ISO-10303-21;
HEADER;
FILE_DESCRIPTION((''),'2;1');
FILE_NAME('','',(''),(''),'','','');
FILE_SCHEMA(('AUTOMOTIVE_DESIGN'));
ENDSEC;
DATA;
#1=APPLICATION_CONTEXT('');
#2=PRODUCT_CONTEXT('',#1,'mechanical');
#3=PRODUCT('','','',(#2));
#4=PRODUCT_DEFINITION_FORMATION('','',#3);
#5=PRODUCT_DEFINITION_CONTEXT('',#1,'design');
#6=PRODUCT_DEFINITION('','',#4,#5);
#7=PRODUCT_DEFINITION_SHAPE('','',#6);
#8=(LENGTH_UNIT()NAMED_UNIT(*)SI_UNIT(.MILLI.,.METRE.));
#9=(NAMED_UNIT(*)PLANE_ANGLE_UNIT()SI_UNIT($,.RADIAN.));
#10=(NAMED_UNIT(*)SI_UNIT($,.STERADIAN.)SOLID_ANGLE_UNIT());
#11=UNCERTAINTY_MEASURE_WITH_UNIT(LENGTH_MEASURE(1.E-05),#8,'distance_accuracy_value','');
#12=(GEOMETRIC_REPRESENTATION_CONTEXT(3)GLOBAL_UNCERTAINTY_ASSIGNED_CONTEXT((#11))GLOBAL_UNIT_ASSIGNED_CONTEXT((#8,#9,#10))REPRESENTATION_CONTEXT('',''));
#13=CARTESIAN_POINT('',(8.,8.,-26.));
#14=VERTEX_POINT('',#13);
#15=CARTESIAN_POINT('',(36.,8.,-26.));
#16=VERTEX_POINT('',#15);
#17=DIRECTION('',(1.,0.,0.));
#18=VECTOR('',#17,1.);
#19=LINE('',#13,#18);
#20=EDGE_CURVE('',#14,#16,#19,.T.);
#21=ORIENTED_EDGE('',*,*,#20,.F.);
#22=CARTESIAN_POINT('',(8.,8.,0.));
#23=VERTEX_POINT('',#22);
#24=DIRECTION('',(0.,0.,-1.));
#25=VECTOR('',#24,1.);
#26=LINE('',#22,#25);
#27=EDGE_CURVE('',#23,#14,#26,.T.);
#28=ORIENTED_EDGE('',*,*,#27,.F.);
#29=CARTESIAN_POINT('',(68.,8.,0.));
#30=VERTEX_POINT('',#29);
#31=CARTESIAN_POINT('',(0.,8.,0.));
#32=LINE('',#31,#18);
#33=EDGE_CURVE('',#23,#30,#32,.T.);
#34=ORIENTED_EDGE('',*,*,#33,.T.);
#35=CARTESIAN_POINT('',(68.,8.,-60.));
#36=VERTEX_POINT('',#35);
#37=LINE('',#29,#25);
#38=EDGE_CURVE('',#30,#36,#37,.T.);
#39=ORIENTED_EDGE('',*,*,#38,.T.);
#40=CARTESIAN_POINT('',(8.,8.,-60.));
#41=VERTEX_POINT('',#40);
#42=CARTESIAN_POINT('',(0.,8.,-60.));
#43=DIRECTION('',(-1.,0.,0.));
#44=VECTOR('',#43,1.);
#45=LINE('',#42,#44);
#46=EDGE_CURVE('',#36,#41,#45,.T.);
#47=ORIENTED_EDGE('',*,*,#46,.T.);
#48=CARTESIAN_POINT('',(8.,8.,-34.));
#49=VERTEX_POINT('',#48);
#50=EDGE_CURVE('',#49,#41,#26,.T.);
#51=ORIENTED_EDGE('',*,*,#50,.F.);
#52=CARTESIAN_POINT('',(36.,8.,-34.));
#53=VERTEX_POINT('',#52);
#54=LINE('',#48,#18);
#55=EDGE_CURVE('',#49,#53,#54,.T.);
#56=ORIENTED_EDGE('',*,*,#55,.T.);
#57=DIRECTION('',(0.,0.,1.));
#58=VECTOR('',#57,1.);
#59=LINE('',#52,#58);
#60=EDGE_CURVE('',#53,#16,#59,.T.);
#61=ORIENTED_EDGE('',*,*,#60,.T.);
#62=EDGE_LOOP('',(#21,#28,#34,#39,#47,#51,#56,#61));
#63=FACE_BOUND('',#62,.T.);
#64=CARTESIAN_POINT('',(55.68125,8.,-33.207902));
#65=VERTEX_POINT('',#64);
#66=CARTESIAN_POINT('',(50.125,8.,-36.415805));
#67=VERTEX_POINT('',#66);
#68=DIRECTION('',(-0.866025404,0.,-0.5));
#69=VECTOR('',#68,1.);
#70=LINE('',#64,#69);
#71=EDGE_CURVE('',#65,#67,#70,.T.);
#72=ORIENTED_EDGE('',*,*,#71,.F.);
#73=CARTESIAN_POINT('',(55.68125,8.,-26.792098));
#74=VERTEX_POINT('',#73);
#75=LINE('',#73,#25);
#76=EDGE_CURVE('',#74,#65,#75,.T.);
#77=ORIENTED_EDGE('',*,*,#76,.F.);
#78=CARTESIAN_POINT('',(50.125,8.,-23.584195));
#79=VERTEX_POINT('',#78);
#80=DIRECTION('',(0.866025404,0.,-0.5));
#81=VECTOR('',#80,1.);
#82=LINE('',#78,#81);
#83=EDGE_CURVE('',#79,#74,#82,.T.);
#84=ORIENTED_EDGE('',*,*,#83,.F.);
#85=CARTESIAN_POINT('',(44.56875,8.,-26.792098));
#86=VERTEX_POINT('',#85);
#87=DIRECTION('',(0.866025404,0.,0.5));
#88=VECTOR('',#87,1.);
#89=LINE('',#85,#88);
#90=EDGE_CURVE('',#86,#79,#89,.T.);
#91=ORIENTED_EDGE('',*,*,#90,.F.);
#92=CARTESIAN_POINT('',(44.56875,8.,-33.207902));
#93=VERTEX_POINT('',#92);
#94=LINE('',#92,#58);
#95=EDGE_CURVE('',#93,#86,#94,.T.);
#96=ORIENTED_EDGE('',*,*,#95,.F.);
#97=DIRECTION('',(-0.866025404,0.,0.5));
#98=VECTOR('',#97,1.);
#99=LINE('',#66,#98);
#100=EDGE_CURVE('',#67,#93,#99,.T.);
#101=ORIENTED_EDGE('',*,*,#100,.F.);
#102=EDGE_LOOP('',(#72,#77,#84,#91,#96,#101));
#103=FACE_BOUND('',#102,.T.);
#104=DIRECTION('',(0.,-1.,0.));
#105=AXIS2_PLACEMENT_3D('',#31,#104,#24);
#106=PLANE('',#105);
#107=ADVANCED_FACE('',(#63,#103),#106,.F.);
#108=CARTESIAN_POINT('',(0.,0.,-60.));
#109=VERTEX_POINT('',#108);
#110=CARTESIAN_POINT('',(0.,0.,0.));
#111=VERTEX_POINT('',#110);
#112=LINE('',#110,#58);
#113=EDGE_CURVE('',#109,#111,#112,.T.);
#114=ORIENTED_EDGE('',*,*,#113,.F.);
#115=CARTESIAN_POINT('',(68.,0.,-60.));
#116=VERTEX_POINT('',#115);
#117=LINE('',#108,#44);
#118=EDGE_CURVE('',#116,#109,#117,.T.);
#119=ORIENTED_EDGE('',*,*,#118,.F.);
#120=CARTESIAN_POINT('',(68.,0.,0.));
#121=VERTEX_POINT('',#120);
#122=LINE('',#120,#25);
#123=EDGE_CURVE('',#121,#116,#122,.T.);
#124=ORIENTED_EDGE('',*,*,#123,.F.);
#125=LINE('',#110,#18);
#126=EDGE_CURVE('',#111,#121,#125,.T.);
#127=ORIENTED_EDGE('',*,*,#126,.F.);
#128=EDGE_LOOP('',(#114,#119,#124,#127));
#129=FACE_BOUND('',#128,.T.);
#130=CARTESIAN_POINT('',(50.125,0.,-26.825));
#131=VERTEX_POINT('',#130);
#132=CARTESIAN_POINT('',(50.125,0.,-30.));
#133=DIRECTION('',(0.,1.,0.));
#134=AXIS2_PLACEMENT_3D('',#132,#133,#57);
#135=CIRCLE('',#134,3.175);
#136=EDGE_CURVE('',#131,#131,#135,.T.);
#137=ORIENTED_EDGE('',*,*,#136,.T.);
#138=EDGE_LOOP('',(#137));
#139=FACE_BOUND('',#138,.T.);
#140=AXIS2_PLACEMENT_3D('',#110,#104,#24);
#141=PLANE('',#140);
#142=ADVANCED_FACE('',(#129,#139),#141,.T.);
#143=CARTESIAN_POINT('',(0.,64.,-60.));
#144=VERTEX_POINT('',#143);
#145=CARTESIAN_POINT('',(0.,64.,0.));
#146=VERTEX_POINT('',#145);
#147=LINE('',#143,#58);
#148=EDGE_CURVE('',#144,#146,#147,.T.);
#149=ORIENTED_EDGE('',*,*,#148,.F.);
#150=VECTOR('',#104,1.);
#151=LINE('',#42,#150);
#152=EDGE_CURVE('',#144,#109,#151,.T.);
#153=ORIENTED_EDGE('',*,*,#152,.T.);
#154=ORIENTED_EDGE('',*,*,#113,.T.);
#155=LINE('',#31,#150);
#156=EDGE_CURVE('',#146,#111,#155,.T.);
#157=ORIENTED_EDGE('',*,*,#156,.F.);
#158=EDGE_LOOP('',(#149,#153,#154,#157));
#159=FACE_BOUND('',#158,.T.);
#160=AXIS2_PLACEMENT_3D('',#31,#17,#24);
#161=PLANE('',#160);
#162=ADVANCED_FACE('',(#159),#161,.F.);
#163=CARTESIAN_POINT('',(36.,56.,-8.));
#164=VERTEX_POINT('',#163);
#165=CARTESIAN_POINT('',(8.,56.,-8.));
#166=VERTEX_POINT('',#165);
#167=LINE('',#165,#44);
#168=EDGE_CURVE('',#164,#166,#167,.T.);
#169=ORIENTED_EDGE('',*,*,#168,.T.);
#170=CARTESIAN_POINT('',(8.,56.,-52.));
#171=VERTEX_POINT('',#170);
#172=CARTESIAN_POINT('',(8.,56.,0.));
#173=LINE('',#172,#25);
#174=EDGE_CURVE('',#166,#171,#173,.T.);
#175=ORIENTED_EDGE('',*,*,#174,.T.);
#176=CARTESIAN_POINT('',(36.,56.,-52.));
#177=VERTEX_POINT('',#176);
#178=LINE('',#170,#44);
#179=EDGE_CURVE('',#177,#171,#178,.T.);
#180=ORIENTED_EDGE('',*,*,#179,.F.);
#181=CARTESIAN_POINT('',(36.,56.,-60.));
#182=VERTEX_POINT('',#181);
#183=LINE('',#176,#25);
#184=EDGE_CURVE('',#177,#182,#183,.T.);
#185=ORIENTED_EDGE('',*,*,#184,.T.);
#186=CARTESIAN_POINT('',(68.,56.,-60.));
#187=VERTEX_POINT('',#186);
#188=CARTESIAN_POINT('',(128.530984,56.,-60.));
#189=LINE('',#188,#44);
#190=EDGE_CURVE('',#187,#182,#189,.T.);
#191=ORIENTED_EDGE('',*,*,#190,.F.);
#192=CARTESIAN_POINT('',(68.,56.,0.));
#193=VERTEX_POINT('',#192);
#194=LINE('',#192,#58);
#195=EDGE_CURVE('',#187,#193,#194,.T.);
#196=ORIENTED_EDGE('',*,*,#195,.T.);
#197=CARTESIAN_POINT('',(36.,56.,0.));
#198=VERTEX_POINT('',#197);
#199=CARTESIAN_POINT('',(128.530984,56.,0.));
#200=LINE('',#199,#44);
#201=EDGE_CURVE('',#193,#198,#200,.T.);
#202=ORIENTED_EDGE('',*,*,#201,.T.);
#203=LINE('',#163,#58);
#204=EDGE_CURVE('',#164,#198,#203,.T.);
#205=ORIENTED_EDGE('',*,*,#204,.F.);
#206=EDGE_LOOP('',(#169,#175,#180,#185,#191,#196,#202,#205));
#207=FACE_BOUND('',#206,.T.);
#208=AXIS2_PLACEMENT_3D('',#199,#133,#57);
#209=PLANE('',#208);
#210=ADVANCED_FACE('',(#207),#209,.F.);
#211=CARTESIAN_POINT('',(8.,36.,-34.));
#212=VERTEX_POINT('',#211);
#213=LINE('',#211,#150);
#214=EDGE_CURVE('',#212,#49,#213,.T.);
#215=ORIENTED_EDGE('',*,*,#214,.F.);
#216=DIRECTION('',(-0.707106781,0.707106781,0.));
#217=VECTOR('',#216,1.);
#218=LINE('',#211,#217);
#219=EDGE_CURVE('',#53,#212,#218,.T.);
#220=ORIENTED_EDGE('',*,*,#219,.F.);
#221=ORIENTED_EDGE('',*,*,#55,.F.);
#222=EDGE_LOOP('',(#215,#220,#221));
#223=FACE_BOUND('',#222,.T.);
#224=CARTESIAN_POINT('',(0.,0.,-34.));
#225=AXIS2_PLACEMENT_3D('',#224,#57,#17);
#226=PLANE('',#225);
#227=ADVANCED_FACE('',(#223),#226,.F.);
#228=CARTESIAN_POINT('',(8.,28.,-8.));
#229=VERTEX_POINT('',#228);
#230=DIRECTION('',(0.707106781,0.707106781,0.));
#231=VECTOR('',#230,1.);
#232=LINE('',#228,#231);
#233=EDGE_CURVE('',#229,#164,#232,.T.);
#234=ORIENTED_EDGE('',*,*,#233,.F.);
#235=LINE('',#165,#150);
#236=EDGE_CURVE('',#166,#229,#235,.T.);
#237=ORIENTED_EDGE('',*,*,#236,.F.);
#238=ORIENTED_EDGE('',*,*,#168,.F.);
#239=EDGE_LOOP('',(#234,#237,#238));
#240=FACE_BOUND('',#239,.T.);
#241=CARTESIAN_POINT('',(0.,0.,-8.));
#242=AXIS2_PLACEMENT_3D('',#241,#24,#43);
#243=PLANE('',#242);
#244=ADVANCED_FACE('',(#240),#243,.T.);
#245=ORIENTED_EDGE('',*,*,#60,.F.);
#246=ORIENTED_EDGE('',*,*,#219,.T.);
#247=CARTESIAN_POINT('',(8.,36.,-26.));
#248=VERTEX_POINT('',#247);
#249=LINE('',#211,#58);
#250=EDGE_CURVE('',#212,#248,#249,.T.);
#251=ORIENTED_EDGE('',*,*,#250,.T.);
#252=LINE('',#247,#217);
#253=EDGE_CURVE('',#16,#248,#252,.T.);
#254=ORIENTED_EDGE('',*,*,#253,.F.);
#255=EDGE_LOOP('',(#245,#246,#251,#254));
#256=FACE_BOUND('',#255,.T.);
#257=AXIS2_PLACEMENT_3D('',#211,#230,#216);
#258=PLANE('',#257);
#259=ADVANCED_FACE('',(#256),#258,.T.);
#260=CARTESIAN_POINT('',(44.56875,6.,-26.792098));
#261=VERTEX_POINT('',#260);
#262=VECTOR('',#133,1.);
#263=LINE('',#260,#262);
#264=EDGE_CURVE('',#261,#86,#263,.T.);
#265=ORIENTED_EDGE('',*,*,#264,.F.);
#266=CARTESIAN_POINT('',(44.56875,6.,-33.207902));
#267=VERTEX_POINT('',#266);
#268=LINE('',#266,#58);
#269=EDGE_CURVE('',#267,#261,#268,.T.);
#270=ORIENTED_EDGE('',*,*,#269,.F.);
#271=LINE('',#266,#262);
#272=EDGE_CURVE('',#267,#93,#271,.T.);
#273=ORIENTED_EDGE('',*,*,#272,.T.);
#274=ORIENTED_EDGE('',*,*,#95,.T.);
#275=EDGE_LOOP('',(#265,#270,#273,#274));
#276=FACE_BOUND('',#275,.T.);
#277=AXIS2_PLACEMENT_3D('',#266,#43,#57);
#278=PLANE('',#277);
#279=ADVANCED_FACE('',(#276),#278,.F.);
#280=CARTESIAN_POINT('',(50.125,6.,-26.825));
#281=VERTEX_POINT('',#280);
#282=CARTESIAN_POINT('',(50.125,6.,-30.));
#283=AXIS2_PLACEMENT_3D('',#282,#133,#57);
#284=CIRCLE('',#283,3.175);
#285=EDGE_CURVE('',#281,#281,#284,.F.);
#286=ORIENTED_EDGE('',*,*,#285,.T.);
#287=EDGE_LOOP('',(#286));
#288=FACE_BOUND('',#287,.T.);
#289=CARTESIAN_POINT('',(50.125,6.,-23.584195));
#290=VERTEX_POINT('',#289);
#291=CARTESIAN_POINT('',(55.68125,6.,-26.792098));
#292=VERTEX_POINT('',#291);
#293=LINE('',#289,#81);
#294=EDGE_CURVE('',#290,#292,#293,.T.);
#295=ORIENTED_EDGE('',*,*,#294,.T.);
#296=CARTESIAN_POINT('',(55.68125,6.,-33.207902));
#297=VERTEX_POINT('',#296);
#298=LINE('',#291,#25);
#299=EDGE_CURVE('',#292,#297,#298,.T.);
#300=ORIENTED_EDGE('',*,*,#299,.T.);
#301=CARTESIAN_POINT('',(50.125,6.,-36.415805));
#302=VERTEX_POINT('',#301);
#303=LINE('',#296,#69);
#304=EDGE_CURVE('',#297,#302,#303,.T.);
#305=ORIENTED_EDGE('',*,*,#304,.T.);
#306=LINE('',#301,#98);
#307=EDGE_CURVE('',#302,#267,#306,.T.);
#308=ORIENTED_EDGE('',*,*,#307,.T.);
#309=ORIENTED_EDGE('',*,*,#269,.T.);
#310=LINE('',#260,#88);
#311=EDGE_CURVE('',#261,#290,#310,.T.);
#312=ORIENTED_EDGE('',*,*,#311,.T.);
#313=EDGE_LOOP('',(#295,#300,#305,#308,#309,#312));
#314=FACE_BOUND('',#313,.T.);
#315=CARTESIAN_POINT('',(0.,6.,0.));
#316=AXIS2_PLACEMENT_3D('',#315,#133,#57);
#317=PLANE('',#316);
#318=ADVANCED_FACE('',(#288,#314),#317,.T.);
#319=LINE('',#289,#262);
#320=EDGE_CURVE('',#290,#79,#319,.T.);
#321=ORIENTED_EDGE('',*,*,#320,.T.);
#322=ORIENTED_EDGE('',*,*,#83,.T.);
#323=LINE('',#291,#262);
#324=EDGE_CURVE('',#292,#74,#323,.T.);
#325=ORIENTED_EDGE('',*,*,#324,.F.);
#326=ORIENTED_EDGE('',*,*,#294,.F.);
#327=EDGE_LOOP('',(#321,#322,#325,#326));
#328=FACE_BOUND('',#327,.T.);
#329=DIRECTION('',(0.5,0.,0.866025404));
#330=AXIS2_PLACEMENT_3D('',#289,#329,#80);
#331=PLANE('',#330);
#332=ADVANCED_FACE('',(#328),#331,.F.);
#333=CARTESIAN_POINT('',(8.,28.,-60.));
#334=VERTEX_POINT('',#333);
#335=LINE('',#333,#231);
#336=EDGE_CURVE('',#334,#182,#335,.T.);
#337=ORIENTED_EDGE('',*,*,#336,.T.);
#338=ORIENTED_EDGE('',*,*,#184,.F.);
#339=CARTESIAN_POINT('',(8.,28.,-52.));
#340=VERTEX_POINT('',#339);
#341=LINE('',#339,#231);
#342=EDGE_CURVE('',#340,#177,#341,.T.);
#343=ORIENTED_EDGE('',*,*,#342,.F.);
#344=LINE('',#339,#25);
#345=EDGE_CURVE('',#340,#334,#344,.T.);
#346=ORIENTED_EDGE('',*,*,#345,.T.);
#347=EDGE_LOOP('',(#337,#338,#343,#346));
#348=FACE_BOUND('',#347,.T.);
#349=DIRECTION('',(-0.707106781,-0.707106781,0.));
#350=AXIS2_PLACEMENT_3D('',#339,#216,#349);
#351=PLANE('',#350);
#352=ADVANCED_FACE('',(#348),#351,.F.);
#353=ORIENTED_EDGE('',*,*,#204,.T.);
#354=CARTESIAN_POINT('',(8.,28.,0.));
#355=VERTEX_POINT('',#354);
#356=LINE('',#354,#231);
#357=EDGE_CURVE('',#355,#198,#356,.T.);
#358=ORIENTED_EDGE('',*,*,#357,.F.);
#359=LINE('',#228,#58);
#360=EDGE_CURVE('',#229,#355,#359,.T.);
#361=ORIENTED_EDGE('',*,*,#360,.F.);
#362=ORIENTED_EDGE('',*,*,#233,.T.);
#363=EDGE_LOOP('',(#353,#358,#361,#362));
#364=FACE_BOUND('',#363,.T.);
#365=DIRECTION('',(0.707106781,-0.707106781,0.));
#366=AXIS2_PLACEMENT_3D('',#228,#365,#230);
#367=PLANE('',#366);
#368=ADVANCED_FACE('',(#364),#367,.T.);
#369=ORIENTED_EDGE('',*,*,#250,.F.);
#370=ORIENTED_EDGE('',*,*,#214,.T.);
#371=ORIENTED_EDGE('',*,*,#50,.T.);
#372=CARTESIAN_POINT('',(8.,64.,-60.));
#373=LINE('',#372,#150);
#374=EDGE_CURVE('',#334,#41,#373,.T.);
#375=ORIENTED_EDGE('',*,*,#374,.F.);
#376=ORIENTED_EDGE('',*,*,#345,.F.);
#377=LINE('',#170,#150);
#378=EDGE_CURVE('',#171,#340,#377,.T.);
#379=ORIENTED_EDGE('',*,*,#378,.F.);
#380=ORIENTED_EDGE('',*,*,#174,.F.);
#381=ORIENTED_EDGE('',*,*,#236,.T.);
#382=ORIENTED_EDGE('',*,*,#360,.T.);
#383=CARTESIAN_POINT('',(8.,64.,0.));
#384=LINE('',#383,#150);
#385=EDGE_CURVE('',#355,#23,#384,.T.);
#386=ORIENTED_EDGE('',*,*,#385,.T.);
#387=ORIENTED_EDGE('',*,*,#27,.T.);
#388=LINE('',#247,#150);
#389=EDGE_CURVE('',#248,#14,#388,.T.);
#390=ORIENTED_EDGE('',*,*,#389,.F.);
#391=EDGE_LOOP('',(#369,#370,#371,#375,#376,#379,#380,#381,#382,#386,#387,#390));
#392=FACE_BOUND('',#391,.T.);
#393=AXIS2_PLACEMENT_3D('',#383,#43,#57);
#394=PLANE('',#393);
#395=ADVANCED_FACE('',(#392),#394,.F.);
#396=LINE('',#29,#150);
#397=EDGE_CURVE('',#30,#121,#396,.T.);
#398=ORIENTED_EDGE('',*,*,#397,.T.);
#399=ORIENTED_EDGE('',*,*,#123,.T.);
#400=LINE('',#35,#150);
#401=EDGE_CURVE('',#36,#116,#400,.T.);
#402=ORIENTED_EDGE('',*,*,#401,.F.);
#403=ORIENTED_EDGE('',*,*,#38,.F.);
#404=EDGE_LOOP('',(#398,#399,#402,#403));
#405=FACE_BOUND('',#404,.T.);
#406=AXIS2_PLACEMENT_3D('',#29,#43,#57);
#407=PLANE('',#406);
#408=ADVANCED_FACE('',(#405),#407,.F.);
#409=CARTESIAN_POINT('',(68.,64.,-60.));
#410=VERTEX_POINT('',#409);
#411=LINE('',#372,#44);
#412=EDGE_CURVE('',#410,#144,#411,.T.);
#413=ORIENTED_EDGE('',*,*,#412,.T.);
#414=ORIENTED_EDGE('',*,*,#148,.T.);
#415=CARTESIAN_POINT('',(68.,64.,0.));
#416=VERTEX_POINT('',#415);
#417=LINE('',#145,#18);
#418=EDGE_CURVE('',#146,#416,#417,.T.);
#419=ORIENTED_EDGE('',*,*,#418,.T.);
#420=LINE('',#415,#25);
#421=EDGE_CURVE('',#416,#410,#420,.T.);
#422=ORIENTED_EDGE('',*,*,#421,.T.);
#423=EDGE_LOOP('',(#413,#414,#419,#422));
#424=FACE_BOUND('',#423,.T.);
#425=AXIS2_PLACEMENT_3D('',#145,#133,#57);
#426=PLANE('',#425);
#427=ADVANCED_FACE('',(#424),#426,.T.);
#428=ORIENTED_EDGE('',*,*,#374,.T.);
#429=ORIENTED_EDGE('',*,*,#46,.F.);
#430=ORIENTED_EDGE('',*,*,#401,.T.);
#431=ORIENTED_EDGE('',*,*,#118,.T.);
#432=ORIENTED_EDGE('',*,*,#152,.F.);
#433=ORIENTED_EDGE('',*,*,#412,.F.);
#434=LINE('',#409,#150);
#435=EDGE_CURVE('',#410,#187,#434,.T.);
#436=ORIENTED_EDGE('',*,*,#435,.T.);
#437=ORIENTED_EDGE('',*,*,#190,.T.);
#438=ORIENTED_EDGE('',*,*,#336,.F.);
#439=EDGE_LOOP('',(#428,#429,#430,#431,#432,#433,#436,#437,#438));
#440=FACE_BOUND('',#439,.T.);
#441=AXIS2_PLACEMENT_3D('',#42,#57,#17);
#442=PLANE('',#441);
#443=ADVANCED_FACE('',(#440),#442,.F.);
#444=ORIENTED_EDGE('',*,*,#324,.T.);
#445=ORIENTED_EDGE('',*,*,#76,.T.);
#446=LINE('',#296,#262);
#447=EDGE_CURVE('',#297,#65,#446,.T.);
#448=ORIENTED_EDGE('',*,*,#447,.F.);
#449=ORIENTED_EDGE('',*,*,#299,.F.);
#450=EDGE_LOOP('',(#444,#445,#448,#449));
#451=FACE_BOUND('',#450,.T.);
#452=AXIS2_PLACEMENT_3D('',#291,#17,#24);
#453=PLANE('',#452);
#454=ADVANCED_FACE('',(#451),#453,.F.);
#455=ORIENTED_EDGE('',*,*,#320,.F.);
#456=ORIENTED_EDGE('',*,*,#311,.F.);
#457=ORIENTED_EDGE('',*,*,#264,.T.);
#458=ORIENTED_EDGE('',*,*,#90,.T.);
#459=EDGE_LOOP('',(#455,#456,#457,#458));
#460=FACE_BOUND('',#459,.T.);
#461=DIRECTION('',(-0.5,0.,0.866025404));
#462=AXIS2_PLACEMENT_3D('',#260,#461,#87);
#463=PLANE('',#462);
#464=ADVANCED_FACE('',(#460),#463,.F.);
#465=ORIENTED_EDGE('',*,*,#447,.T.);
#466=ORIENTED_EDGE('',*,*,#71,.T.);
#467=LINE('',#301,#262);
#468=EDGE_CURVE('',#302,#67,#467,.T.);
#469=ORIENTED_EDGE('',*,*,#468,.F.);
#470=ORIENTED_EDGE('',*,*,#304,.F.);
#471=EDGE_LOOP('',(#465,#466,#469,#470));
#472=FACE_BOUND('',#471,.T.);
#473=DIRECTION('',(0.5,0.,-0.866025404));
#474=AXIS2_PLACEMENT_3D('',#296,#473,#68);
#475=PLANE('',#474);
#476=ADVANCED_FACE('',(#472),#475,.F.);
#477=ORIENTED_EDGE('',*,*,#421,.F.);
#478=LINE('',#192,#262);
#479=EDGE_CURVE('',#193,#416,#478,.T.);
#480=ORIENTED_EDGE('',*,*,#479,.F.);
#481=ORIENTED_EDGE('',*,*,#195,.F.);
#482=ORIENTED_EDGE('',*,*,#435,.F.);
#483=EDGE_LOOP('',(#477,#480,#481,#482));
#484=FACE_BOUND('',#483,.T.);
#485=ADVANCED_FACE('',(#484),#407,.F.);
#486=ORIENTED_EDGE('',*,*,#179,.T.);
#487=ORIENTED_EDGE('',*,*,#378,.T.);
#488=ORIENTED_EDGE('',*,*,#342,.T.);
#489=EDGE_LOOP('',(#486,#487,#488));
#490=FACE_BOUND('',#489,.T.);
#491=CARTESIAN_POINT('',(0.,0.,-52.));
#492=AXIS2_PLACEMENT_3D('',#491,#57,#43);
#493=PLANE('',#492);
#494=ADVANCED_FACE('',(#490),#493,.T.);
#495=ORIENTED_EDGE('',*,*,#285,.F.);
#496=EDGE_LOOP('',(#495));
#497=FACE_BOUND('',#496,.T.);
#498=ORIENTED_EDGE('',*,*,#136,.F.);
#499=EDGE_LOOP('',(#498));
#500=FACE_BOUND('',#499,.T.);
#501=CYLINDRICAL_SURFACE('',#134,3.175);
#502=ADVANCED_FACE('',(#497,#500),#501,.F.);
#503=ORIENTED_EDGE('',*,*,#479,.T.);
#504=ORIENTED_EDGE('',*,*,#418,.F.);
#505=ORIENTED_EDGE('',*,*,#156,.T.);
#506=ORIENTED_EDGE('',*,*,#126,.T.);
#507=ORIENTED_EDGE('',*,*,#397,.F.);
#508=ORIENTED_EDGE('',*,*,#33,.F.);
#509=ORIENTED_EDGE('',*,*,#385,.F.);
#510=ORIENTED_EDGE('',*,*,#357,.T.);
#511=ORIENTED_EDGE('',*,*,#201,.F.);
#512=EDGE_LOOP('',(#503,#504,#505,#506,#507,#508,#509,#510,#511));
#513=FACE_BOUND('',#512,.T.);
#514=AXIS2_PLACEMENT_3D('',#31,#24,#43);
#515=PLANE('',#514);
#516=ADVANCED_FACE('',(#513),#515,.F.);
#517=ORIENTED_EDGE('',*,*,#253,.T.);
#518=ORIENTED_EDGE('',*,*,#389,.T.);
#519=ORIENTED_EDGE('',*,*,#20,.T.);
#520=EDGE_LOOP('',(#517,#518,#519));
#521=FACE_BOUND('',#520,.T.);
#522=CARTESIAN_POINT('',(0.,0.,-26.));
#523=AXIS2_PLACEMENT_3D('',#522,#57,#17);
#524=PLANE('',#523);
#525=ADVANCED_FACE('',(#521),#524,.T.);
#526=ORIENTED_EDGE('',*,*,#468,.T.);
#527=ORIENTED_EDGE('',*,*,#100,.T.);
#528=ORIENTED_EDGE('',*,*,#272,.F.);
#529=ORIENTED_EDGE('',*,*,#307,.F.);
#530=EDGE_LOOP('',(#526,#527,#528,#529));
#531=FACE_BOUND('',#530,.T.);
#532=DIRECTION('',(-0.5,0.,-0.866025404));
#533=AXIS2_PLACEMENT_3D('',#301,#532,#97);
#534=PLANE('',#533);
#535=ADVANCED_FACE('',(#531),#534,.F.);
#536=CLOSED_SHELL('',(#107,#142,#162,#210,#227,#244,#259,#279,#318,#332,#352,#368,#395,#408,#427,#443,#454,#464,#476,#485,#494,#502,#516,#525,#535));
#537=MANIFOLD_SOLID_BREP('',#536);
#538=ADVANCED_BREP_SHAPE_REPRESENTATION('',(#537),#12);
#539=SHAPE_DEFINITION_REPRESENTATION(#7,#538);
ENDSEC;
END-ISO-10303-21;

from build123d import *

# Parameters (mm, degrees)
SKETCH1_W                = 68
SKETCH1_H                = 60
BOSS_EXTRUDE1_DEPTH      = 8
SKETCH4_W                = 8
SKETCH4_H                = 60
BOSS_EXTRUDE2_DEPTH      = 56
SKETCH5_R                = 3.175
CUT_EXTRUDE1_DEPTH       = 8
SKETCH6_W                = 60
SKETCH6_H                = 8
BOSS_EXTRUDE3_DEPTH      = 60
BOSS_EXTRUDE4_DEPTH      = 8
BOSS_EXTRUDE5_DEPTH      = 4
BOSS_EXTRUDE5_DEPTH_BACK = 4
CUT_EXTRUDE2_DEPTH       = 2


with BuildPart() as part:
    # Sketch1 → Boss-Extrude1 (new body)
    with BuildSketch(Plane(origin=(0, 0, 0), x_dir=(1, 0, 0), z_dir=(0, 1, 0))):
        with Locations((34, 30)):
            Rectangle(SKETCH1_W, SKETCH1_H)
    extrude(amount=BOSS_EXTRUDE1_DEPTH)

    # Sketch4 → Boss-Extrude2 (add)
    with BuildSketch(Plane(origin=(0, 8, 0), x_dir=(1, 0, 0), z_dir=(0, 1, 0))):
        with Locations((4, 30)):
            Rectangle(SKETCH4_W, SKETCH4_H)
    extrude(amount=BOSS_EXTRUDE2_DEPTH)

    # Sketch5 → Cut-Extrude1 (cut)
    with BuildSketch(Plane(origin=(0, 8, 0), x_dir=(1, 0, 0), z_dir=(0, 1, 0))):
        with Locations(Location((50.125, 30, 0), (0, 0, 270))):
            Circle(SKETCH5_R)
    extrude(amount=-CUT_EXTRUDE1_DEPTH, mode=Mode.SUBTRACT)

    # Sketch6 → Boss-Extrude3 (add)
    with BuildSketch(Plane(origin=(8, 0, 0), x_dir=(0, 0, -1), z_dir=(1, 0, 0))):
        with Locations((30, 60)):
            Rectangle(SKETCH6_W, SKETCH6_H)
    extrude(amount=BOSS_EXTRUDE3_DEPTH)

    # Sketch7 → Boss-Extrude4 (add)
    with BuildSketch(Plane.XY):
        Polygon((8, 56), (8, 28), (36, 56), align=None)
    boss_extrude4 = extrude(amount=-BOSS_EXTRUDE4_DEPTH)

    # Mirror1: Boss-Extrude4 across plane
    add(boss_extrude4.mirror(Plane.XY.offset(-30)))

    # Sketch8 → Boss-Extrude5 (add, two sides: drawn at the far end of the back side and taken through both)
    with BuildSketch(Plane.XY.offset(-30).offset(-BOSS_EXTRUDE5_DEPTH_BACK)):
        Polygon((8, 36), (8, 8), (36, 8), align=None)
    extrude(amount=BOSS_EXTRUDE5_DEPTH + BOSS_EXTRUDE5_DEPTH_BACK)

    # Sketch9 → Cut-Extrude2 (cut)
    with BuildSketch(Plane(origin=(0, 8, 0), x_dir=(1, 0, 0), z_dir=(0, 1, 0))):
        Polygon((50.125, 36.415804866), (44.56875, 33.207902433), (44.56875, 26.792097567), (50.125, 23.584195134), (55.68125, 26.792097567), (55.68125, 33.207902433), align=None)
    extrude(amount=-CUT_EXTRUDE2_DEPTH, mode=Mode.SUBTRACT)


solid = part.part
